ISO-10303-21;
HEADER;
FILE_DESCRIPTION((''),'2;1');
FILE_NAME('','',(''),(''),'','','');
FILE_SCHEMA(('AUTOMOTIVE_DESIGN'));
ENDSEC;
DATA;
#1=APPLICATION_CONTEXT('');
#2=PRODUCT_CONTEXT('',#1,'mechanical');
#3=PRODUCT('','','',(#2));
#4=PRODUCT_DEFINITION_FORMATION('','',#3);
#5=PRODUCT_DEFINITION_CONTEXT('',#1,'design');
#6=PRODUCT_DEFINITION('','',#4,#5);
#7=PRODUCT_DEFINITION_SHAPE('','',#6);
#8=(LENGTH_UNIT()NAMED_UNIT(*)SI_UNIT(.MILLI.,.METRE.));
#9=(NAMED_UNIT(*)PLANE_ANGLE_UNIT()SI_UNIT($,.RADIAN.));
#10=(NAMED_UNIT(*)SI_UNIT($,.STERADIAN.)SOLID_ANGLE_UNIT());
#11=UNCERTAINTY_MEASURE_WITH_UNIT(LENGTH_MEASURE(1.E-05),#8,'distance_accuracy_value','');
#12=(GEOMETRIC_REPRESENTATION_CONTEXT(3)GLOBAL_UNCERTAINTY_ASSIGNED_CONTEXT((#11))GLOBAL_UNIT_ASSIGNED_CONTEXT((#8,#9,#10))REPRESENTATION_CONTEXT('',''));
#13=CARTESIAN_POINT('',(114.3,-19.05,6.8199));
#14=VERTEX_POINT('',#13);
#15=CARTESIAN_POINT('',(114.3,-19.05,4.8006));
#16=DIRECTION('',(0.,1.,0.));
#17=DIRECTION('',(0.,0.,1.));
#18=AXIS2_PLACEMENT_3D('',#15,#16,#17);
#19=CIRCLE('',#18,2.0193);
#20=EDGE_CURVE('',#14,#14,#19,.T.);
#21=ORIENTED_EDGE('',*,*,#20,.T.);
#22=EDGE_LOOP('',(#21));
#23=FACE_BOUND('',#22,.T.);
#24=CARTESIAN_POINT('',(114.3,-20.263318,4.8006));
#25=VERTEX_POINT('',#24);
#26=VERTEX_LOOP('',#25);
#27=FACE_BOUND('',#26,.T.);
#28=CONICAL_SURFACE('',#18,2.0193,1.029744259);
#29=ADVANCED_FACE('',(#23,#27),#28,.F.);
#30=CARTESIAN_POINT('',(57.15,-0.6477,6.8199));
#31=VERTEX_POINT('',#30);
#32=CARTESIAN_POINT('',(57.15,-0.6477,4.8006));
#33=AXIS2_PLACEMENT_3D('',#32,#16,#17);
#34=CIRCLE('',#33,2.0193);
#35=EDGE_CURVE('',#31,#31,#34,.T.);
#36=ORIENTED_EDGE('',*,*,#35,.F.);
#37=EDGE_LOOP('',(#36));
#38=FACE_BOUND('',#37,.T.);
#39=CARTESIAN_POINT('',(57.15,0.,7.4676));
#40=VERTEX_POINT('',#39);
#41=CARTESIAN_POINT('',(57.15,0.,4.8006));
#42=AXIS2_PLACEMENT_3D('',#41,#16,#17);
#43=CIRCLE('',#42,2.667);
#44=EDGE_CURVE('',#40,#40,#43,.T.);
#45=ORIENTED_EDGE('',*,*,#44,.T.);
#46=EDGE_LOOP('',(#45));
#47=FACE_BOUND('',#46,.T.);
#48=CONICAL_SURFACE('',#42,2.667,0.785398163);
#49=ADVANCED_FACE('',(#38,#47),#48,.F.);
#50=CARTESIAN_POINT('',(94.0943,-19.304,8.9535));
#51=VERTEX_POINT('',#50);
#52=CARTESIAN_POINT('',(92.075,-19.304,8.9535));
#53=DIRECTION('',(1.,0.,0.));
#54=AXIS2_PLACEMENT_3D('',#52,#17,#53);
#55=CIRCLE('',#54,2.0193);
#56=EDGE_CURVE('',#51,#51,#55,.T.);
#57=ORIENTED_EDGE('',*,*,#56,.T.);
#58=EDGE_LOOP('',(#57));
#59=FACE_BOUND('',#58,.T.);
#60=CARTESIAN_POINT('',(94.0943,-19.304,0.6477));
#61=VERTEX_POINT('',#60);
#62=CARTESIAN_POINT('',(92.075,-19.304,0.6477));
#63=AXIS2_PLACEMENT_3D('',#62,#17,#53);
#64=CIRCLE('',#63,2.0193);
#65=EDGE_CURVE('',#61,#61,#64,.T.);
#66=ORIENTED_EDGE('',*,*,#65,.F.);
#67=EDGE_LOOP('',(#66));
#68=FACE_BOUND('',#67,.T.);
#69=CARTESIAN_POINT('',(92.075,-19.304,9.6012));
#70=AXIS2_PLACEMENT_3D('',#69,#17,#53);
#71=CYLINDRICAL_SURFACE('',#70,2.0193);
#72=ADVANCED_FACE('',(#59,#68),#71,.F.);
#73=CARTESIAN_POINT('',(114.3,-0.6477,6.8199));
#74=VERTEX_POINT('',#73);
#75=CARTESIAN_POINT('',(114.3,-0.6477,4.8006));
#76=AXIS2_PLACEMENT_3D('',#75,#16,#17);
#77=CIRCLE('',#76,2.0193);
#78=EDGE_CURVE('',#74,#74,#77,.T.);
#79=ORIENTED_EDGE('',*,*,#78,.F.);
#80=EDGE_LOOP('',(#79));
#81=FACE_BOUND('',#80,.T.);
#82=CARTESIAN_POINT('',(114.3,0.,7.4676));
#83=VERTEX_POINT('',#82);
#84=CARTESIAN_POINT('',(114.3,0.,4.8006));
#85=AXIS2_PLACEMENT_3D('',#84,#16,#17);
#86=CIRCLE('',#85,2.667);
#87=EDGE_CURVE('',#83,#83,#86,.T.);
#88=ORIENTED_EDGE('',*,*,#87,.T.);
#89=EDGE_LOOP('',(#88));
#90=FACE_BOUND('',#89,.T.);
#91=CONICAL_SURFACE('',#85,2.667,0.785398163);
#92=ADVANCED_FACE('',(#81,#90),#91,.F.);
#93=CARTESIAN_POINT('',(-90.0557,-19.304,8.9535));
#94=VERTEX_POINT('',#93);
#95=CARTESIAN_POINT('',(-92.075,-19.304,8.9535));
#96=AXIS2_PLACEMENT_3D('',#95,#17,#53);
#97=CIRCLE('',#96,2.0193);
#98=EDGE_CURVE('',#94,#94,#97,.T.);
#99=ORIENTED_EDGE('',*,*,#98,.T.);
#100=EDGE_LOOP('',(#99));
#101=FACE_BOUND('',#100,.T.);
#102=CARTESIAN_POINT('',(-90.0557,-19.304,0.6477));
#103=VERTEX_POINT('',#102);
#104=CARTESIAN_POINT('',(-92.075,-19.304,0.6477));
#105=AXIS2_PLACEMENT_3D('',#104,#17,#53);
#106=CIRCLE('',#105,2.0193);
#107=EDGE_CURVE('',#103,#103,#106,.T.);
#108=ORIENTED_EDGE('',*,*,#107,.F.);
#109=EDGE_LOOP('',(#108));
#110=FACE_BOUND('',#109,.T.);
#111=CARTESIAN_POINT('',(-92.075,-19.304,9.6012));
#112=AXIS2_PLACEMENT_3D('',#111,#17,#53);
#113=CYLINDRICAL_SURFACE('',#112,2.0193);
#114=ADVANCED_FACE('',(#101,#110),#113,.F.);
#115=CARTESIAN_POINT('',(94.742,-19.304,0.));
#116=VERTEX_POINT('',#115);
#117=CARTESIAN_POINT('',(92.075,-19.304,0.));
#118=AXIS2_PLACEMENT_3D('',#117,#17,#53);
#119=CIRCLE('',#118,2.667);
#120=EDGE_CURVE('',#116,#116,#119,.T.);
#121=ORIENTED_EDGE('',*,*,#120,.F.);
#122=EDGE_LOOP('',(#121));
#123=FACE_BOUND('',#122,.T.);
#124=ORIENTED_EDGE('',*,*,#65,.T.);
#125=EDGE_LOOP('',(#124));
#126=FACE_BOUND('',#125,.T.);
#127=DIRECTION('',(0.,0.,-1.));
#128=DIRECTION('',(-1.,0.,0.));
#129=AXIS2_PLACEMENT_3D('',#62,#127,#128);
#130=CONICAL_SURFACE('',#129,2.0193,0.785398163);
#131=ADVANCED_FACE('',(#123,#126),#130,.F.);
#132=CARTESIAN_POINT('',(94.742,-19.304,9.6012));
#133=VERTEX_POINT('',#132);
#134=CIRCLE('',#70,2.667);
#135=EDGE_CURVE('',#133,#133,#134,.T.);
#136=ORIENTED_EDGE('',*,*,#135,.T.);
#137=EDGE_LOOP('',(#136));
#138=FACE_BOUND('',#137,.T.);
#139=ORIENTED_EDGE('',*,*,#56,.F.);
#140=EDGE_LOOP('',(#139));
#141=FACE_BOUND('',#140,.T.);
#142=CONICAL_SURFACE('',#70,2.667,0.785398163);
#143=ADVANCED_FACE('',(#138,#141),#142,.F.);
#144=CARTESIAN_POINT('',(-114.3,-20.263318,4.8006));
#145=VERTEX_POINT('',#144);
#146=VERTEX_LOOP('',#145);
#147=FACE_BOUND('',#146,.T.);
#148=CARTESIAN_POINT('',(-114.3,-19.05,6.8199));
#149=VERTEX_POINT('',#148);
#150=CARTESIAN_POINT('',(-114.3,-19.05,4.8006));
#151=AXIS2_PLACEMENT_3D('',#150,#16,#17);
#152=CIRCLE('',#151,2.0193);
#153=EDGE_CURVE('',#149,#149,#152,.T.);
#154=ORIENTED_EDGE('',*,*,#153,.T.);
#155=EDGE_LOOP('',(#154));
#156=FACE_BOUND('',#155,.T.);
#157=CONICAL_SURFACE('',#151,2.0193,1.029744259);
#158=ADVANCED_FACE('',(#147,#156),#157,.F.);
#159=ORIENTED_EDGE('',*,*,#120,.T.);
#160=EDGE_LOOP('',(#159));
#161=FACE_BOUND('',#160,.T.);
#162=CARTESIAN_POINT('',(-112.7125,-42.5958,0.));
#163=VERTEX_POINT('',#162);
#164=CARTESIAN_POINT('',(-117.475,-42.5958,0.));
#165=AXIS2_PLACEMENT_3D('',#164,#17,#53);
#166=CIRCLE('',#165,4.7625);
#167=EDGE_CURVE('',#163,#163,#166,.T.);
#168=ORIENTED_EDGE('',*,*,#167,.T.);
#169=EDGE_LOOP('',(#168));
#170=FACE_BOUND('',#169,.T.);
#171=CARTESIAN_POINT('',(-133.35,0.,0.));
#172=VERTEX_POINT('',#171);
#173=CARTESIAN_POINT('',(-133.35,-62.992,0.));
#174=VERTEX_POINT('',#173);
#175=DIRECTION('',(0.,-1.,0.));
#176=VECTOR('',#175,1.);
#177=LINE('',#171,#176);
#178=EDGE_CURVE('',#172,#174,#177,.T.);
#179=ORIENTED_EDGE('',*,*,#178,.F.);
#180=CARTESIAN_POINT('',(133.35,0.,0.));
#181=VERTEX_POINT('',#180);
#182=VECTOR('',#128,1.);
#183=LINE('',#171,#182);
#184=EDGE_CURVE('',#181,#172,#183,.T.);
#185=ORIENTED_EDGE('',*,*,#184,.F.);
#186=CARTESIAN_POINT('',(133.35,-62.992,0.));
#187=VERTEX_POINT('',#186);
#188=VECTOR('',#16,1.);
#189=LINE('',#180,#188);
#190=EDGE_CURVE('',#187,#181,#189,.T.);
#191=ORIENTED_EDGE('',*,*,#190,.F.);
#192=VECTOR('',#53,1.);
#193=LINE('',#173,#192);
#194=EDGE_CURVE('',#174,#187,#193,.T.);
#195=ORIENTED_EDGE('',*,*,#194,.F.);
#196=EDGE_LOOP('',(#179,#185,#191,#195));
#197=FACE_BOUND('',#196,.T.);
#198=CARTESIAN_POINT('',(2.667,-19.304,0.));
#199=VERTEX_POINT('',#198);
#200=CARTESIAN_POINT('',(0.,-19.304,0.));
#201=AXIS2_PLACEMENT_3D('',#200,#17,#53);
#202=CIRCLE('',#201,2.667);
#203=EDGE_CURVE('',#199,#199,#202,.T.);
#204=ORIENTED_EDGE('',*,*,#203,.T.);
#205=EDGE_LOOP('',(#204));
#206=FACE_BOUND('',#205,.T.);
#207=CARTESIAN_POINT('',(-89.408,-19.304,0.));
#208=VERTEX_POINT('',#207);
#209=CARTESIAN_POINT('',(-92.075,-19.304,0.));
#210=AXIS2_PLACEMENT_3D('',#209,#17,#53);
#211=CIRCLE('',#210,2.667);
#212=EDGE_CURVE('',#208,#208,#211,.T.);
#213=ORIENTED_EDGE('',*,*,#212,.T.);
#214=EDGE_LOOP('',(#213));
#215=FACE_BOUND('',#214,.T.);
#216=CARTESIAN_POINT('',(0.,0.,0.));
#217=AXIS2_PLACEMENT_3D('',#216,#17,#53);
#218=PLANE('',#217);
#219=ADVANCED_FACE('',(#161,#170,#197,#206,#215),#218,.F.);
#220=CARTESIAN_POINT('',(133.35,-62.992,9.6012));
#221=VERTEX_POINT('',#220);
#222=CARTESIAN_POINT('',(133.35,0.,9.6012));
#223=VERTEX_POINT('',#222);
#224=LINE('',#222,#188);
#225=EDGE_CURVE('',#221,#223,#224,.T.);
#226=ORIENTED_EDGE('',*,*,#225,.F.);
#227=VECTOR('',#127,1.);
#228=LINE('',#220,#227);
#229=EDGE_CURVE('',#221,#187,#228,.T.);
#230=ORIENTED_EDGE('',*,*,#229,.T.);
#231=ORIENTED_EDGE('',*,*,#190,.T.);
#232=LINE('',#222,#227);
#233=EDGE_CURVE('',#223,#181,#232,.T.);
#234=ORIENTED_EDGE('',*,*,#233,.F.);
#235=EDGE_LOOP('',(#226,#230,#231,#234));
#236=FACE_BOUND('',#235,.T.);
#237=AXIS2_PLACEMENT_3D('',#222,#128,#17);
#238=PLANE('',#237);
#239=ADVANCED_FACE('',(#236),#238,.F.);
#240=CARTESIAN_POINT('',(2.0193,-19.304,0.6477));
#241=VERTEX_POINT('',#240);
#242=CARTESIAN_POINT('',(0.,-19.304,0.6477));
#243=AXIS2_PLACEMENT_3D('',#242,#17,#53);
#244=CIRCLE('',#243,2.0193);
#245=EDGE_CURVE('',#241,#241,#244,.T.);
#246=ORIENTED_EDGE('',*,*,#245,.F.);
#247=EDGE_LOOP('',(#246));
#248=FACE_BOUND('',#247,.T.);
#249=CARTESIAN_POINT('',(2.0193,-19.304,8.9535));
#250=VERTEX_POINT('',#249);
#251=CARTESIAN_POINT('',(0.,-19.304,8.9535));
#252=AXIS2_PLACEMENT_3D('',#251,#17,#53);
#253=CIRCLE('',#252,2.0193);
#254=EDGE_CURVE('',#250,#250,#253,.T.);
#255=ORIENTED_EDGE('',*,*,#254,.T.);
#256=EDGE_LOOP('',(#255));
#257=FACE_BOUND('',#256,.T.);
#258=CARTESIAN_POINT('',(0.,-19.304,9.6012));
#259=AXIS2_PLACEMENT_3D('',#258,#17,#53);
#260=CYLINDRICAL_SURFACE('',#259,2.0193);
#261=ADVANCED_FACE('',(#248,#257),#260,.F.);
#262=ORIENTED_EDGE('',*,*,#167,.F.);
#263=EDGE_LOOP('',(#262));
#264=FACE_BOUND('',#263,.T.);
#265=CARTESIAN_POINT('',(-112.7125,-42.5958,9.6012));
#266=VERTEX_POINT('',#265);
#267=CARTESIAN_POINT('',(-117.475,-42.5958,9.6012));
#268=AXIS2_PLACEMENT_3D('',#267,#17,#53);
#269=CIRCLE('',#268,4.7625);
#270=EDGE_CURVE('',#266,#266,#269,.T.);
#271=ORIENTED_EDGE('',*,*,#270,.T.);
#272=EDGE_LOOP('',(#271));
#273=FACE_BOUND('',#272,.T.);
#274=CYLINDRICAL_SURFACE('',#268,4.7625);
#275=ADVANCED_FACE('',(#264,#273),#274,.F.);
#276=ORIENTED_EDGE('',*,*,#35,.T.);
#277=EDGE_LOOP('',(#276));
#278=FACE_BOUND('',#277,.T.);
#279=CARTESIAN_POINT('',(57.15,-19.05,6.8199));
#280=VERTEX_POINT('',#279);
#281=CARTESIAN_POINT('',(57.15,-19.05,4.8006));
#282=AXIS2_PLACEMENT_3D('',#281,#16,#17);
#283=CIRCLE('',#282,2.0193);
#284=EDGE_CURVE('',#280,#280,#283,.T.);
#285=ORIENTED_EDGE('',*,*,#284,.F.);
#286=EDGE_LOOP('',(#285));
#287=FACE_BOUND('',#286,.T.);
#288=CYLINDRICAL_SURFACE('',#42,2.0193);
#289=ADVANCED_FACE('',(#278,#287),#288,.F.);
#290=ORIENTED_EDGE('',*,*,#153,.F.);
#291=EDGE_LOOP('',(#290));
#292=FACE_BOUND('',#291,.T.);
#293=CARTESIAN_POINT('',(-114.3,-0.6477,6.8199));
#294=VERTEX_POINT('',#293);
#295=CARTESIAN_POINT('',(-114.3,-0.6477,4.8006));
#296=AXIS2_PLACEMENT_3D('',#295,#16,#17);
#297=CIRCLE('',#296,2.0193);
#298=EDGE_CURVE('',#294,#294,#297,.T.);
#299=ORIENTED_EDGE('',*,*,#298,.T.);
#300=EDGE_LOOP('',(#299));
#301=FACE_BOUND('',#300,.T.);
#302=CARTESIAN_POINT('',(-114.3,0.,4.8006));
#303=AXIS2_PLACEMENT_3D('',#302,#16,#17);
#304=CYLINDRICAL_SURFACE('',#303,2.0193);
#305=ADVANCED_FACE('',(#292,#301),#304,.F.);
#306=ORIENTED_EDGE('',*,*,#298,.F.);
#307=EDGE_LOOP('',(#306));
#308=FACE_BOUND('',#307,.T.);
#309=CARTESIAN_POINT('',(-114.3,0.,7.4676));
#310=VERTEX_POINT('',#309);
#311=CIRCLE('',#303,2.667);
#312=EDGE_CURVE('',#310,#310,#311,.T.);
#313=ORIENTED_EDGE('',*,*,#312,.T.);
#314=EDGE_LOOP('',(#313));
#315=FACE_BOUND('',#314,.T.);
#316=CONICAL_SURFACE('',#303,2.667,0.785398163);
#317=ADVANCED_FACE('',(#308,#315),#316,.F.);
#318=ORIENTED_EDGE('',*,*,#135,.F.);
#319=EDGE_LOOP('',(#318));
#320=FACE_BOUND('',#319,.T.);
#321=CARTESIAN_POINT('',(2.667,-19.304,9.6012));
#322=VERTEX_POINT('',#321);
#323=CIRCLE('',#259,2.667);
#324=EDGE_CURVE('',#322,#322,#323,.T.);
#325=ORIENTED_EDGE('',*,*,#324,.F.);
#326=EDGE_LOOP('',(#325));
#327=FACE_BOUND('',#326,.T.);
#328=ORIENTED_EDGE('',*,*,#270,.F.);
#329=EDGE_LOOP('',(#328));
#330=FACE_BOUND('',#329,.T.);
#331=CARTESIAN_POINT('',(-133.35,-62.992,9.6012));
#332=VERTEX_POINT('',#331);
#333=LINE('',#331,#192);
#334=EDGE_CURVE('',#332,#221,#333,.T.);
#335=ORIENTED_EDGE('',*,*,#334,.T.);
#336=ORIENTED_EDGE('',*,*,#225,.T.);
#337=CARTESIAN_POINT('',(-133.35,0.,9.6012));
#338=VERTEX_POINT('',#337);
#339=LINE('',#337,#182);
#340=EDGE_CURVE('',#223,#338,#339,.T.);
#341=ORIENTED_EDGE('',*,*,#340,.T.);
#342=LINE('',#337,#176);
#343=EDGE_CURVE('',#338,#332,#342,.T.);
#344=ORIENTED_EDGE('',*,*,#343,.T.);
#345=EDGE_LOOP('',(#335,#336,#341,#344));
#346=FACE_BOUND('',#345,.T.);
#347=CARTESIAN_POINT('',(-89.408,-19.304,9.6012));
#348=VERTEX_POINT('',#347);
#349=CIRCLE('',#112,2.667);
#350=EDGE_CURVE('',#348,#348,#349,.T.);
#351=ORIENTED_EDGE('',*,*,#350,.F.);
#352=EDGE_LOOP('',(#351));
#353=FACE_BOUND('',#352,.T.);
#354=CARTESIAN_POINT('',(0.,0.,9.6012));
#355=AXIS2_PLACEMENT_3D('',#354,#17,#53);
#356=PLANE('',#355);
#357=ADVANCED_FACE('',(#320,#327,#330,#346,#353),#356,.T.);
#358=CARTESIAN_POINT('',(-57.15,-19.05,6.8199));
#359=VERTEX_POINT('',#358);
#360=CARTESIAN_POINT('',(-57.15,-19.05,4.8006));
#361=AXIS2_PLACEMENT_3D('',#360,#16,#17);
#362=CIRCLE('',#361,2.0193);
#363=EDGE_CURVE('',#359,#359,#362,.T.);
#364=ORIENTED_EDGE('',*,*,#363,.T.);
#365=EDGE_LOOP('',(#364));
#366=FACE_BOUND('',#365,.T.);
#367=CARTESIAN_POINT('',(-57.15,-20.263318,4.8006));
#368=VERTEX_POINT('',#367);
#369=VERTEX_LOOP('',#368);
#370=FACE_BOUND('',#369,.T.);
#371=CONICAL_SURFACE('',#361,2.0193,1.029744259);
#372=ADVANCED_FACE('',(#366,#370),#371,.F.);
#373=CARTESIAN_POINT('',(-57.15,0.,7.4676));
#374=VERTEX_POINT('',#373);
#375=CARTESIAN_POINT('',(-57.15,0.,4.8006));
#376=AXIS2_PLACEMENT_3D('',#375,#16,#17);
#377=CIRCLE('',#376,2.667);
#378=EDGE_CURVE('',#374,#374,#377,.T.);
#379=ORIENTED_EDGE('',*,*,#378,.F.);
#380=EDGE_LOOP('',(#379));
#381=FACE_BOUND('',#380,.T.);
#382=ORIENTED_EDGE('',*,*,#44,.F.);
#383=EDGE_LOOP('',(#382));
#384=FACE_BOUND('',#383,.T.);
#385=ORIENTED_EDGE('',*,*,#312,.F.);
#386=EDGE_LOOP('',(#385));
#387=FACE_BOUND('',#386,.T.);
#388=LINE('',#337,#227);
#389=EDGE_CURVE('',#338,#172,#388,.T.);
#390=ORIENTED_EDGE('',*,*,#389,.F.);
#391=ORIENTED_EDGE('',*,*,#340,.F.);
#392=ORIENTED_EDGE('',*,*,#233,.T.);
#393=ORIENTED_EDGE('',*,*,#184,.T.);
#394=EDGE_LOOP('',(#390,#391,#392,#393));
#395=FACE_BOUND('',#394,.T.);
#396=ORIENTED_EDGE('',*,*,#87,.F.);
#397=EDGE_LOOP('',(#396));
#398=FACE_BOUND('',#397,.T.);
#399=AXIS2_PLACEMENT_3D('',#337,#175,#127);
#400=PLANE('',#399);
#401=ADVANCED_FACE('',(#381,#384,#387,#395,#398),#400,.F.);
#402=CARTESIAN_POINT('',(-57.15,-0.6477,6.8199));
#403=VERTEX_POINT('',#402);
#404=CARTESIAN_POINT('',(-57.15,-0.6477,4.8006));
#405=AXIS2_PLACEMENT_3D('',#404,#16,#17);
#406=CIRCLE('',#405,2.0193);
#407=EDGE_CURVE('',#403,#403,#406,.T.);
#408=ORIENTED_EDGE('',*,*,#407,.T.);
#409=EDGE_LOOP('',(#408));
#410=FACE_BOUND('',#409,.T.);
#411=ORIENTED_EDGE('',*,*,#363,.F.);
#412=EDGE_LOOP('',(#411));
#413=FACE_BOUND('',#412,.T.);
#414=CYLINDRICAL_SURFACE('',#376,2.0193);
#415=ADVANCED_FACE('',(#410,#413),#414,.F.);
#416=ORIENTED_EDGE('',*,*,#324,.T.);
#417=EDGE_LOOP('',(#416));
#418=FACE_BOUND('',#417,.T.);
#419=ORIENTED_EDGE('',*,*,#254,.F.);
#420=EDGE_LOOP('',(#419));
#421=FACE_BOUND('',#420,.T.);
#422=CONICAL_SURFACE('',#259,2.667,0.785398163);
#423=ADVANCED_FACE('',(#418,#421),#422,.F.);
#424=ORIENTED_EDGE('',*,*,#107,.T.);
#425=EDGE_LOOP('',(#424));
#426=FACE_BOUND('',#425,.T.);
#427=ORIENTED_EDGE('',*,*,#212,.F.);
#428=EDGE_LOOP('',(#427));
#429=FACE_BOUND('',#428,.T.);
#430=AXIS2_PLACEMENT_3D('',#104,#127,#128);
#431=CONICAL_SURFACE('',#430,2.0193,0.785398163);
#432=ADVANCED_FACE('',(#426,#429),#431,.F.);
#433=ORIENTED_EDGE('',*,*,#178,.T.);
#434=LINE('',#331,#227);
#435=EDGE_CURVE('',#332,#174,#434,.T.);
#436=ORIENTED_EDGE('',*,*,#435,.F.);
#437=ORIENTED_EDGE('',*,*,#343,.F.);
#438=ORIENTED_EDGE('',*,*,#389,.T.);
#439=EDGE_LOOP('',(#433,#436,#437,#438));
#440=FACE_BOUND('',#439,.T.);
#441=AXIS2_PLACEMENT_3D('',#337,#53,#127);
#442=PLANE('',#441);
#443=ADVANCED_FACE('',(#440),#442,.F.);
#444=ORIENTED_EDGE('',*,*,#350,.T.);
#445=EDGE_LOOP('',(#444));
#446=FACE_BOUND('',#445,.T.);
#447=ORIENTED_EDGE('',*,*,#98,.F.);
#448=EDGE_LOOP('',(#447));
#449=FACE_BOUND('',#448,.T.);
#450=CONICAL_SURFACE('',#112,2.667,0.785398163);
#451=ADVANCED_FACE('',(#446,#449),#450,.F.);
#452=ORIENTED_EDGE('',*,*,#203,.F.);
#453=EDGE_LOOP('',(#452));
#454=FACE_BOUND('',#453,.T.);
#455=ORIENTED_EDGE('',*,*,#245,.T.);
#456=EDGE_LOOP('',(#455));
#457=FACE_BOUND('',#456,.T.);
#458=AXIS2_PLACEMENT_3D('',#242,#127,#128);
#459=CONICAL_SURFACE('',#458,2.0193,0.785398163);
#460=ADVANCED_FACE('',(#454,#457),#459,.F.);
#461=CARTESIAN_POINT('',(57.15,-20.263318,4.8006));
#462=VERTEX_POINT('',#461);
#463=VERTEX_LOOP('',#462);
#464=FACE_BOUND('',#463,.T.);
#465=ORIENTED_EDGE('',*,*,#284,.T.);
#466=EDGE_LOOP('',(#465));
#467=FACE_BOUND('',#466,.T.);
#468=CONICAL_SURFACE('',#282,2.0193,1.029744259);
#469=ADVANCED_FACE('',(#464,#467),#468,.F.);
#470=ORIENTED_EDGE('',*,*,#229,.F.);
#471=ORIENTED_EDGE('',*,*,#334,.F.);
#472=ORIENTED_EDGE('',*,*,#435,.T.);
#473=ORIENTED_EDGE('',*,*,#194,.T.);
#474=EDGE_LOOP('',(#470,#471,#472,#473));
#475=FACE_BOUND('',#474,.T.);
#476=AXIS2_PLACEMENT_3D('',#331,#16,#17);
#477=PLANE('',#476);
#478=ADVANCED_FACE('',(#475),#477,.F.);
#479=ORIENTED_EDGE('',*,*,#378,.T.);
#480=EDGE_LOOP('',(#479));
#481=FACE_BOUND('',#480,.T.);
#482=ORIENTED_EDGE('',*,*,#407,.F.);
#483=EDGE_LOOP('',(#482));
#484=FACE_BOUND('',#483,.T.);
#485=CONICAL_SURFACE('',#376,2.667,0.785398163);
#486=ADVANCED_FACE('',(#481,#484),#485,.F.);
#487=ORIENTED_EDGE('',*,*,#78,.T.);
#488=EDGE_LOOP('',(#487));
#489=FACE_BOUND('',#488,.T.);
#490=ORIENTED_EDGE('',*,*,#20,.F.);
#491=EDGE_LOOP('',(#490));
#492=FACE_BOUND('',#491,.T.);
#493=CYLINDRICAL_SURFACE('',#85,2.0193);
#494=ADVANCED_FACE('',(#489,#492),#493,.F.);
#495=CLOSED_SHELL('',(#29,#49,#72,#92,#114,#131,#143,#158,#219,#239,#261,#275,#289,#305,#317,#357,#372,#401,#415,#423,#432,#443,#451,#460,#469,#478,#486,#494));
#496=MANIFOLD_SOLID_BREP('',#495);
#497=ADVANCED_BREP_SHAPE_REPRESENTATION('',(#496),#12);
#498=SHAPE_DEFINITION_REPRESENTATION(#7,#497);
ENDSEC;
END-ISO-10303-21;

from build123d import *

# Parameters (mm, degrees)
SKETCH1_W                        = 266.7
SKETCH1_H                        = 62.992
BOSS_EXTRUDE1_DEPTH              = 9.6012
F_10_32_TAPPED_HOLE1_AT_2_COUNT  = 2
F_10_32_TAPPED_HOLE1_AT_2_PITCH  = 92.075
F_10_32_TAPPED_HOLE1_AT_3_COUNT  = 2
F_10_32_TAPPED_HOLE1_AT_3_PITCH  = 184.15
F_3_8_0_3750_DOWEL_HOLE1_D       = 9.525
F_10_32_TAPPED_HOLE2_D           = 4.0386
F_10_32_TAPPED_HOLE2_DEPTH       = 19.05
F_10_32_TAPPED_HOLE2_CSINK_D     = 5.334
F_10_32_TAPPED_HOLE2_CSINK_ANGLE = 90
F_10_32_TAPPED_HOLE2_TIP         = 1.213317848


with BuildPart() as part:
    # Sketch1 → Boss-Extrude1 (new body)
    with BuildSketch(Plane.XY):
        with Locations((0, -31.496)):
            Rectangle(SKETCH1_W, SKETCH1_H)
    extrude(amount=BOSS_EXTRUDE1_DEPTH)

    # Sketch2 → #10-32 Tapped Hole1 (revolve, cut)
    with BuildSketch(Plane(origin=(92.075, -19.304, 9.6012), x_dir=(0, -1, 0), z_dir=(1, 0, 0))):
        Polygon((0, 0), (0, 9.6012), (2.667, 9.6012), (2.0193, 8.9535), (2.0193, 0.6477), (2.667, 0), align=None)
    f_10_32_tapped_hole1 = revolve(axis=Axis((92.075, -19.304, 15.9512), (0, 0, -1)), mode=Mode.SUBTRACT)

    # #10-32 Tapped Hole1 at 2: #10-32 Tapped Hole1 ×2
    with Locations(*[(-i * F_10_32_TAPPED_HOLE1_AT_2_PITCH, 0, 0) for i in range(1, F_10_32_TAPPED_HOLE1_AT_2_COUNT)]):
        add(f_10_32_tapped_hole1, mode=Mode.SUBTRACT)

    # #10-32 Tapped Hole1 at 3: #10-32 Tapped Hole1 ×2
    with Locations(*[(-i * F_10_32_TAPPED_HOLE1_AT_3_PITCH, 0, 0) for i in range(1, F_10_32_TAPPED_HOLE1_AT_3_COUNT)]):
        add(f_10_32_tapped_hole1, mode=Mode.SUBTRACT)

    # 3/8 (0.3750) Dowel Hole1 (through all)
    with Locations(Plane.XY.offset(9.6012)):
        with Locations((-117.475, -42.5958)):
            Hole(F_3_8_0_3750_DOWEL_HOLE1_D / 2)

    # #10-32 Tapped Hole2
    with Locations(Plane(origin=(0, 0, 0), x_dir=(1, 0, 0), z_dir=(0, 1, 0))):
        with Locations((114.3, -4.8006), (57.15, -4.8006), (-57.15, -4.8006), (-114.3, -4.8006)):
            CounterSinkHole(F_10_32_TAPPED_HOLE2_D / 2, F_10_32_TAPPED_HOLE2_CSINK_D / 2, depth=F_10_32_TAPPED_HOLE2_DEPTH, counter_sink_angle=F_10_32_TAPPED_HOLE2_CSINK_ANGLE)
            with Locations((0, 0, -(F_10_32_TAPPED_HOLE2_DEPTH + F_10_32_TAPPED_HOLE2_TIP / 2))):  # 118° drill point
                Cone(0, F_10_32_TAPPED_HOLE2_D / 2, F_10_32_TAPPED_HOLE2_TIP, mode=Mode.SUBTRACT)


solid = part.part
